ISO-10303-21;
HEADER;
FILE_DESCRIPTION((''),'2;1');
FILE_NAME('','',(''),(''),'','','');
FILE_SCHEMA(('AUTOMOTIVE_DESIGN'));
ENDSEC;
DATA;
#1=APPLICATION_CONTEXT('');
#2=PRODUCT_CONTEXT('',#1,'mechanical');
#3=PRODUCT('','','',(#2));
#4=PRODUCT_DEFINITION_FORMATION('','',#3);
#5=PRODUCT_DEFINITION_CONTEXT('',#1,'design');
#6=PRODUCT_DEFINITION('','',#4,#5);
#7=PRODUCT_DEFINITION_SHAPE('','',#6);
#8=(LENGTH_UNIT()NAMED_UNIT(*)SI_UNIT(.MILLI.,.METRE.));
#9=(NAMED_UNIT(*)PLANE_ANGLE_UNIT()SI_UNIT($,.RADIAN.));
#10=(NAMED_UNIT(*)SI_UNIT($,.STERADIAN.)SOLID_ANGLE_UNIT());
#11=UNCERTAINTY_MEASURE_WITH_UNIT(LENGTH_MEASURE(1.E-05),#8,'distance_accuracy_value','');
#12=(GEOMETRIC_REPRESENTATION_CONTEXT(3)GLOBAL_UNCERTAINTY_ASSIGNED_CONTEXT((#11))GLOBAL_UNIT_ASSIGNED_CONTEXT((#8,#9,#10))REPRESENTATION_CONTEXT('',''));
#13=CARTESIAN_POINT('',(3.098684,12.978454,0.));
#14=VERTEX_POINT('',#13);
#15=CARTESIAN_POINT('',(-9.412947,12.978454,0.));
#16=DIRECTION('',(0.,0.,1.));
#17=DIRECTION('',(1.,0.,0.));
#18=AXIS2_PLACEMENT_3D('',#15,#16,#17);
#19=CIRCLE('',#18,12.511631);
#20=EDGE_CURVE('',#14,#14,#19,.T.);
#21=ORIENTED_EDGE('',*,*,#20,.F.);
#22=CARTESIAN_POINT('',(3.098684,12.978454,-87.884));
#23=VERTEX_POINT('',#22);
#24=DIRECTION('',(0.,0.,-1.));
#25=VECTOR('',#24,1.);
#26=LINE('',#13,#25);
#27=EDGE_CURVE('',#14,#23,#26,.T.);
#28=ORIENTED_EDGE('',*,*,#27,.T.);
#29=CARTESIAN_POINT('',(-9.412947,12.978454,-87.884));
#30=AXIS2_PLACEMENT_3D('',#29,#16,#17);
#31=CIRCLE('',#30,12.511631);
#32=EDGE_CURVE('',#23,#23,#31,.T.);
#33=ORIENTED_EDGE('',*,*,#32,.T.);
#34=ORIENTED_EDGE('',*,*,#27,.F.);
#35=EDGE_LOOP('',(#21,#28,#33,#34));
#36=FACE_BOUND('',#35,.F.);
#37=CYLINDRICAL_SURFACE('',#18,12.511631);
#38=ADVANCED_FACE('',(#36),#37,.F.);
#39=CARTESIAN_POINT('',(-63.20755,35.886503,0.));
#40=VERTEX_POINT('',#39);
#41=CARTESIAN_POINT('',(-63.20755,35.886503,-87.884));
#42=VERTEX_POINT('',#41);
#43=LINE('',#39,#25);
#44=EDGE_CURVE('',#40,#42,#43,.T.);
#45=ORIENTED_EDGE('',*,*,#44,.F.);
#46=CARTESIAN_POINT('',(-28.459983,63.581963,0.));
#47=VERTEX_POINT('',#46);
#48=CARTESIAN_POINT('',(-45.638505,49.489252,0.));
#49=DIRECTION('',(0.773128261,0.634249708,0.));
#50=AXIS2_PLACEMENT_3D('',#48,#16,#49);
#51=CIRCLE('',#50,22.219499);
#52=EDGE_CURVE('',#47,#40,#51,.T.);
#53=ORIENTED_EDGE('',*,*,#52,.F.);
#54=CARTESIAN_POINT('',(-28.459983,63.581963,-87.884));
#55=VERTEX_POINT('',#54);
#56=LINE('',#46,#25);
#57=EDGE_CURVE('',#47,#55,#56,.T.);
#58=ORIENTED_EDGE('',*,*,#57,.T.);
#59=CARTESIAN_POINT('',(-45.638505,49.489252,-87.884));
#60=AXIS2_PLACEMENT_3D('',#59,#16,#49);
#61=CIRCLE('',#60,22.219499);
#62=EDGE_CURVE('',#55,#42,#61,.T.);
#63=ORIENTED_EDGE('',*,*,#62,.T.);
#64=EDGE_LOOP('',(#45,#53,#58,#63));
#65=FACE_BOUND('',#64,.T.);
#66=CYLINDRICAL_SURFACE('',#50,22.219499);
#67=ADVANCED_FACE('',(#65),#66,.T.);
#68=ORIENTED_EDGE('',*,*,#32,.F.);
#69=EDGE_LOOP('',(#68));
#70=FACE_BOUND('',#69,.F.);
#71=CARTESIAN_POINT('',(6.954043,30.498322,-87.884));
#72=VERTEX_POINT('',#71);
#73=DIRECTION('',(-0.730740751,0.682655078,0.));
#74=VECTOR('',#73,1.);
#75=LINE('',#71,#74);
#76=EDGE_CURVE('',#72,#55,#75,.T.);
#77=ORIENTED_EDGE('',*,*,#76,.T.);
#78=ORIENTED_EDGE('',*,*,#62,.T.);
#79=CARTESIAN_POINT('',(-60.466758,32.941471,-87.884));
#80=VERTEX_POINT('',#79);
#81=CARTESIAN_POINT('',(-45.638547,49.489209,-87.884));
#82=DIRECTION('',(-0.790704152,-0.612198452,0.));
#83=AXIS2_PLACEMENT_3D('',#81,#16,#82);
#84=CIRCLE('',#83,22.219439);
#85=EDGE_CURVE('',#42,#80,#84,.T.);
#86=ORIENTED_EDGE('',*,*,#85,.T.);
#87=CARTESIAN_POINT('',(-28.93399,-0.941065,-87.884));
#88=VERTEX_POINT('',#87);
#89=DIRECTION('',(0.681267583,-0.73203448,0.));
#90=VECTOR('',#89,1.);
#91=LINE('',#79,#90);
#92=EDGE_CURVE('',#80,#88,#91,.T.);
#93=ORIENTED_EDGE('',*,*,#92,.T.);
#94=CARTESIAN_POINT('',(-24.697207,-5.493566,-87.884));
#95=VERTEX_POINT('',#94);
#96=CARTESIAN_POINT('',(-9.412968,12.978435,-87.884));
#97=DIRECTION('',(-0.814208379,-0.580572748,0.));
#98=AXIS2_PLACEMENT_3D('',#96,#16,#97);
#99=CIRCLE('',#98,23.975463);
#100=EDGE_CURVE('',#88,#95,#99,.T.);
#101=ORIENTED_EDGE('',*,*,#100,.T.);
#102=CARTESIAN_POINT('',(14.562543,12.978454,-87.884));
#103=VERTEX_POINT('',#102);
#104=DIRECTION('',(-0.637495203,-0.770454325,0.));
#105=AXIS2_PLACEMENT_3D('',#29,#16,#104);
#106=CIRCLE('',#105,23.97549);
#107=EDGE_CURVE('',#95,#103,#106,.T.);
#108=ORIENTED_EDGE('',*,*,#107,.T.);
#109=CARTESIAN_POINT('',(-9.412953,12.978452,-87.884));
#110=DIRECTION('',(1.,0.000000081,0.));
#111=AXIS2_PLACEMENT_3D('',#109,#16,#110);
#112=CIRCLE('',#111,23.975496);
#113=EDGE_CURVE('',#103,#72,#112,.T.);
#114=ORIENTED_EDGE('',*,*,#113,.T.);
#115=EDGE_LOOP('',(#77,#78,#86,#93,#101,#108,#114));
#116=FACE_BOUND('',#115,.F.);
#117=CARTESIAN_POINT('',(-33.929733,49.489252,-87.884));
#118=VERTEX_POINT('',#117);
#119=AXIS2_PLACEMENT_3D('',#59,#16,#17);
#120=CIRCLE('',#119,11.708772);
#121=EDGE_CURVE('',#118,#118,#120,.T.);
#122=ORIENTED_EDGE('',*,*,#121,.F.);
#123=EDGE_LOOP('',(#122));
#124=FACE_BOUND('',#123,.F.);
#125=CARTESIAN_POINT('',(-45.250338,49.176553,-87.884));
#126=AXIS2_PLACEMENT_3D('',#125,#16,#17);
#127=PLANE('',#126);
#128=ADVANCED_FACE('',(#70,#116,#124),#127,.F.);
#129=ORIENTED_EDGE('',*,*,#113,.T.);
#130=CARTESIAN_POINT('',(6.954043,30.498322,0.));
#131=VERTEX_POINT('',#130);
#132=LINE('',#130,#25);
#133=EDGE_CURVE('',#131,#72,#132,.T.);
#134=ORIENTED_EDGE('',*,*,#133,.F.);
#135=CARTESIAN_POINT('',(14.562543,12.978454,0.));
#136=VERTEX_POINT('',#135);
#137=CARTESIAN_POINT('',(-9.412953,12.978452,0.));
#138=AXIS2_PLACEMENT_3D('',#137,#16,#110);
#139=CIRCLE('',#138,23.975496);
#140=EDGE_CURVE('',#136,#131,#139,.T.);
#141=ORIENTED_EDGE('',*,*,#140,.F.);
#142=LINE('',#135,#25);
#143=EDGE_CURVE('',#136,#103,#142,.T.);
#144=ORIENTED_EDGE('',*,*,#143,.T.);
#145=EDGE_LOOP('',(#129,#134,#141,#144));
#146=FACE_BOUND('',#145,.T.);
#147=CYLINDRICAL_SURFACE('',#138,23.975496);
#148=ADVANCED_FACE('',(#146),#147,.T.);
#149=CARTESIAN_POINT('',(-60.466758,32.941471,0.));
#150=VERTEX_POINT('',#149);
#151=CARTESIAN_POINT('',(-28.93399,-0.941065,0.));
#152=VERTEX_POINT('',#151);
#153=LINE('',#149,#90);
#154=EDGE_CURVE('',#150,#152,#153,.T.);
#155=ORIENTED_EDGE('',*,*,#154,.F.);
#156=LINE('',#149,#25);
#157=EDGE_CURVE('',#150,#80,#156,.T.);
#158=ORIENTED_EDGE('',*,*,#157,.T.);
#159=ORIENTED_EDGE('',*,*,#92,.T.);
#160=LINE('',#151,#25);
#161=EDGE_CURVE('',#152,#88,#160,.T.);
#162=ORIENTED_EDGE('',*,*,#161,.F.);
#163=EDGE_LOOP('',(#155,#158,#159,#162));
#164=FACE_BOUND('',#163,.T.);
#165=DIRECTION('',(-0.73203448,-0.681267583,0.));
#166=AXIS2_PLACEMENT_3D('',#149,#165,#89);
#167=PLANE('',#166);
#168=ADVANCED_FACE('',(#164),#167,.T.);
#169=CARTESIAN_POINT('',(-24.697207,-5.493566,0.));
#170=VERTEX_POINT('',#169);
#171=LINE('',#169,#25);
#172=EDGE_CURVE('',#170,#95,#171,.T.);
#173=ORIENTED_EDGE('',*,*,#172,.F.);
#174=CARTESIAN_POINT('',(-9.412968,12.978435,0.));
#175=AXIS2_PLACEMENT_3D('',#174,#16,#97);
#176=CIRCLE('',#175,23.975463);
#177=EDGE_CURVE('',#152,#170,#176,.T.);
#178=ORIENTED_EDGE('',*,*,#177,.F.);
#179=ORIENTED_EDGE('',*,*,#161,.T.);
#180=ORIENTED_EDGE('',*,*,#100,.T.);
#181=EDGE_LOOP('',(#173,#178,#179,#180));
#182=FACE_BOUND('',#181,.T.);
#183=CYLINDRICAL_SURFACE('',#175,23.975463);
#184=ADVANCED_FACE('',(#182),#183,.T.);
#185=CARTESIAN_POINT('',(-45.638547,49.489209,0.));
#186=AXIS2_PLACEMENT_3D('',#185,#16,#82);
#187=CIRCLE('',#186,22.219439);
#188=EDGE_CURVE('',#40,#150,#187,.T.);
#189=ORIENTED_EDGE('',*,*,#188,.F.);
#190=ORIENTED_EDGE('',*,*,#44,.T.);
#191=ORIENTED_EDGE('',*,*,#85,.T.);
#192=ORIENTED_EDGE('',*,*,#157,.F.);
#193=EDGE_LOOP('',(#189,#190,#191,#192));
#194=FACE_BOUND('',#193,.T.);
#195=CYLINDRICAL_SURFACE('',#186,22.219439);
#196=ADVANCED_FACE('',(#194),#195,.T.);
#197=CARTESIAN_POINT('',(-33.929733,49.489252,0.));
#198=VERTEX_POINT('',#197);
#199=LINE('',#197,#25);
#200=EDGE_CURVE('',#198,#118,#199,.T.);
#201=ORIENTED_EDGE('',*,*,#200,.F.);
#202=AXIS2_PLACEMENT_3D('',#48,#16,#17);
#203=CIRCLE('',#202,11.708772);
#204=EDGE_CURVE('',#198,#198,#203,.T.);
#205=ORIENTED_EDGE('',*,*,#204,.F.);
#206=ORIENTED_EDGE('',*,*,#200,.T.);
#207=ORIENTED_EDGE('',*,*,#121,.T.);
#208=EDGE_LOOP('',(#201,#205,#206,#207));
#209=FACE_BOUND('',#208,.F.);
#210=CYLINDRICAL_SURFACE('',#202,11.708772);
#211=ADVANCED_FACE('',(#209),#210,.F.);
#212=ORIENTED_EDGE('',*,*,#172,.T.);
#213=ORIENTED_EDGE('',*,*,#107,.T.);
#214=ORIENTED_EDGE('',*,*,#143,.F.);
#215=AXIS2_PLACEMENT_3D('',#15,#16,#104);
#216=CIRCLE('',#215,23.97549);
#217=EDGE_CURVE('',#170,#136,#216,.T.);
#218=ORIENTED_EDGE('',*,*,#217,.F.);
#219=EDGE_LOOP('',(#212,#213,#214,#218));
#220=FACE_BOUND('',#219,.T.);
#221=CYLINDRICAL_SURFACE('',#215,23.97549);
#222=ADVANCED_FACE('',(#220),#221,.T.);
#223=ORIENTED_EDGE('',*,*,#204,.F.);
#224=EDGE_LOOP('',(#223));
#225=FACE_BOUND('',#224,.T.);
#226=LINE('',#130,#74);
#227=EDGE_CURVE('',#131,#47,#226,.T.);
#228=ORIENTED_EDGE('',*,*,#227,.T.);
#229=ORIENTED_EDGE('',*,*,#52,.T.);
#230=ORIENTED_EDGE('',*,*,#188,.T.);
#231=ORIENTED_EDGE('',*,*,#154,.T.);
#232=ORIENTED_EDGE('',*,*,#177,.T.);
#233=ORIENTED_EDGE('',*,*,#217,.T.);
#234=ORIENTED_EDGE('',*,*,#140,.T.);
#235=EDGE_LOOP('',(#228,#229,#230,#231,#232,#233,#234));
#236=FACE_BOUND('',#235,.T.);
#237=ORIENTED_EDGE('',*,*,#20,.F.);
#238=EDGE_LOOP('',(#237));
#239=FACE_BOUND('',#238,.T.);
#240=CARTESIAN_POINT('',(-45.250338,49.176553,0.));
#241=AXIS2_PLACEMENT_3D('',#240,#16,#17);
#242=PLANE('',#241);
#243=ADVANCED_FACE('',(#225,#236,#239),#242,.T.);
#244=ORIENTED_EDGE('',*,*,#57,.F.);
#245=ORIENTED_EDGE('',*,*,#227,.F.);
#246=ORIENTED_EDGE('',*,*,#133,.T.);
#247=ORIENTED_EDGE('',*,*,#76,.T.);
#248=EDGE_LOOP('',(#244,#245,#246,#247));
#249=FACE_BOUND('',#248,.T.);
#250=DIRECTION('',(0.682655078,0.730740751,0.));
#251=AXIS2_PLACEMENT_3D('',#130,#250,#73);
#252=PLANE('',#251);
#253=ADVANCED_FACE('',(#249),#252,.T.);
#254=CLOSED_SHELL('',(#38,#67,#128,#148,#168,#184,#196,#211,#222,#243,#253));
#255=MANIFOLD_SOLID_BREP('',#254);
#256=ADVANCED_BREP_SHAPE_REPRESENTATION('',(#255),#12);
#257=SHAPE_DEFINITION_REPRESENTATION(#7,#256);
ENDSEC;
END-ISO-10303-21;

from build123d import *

# Parameters (mm, degrees)
F0_R     = 11.708772
F0_R_2   = 12.511631
F1_DEPTH = 87.884


with BuildPart() as f1:
    # F0 (on Top) → F1 (new body)
    with BuildSketch(Plane.XY):
        with BuildLine():
            ThreePointArc((-60.466758, 32.941471), (-36.576779, 29.201541), (-23.419007, 49.489252))
            ThreePointArc((-23.419007, 49.489252), (-24.717173, 56.972833), (-28.459983, 63.581963))
            ThreePointArc((-28.459983, 63.581963), (-59.487612, 66.864763), (-63.20755, 35.886503))
            Line((-63.20755, 35.886503), (-60.466758, 32.941471))
        make_face()
        with Locations((-45.638505, 49.489252)):
            Circle(F0_R, mode=Mode.SUBTRACT)
        with BuildLine():
            ThreePointArc((-28.459983, 63.581963), (-24.717173, 56.972833), (-23.419007, 49.489252))
            ThreePointArc((-23.419007, 49.489252), (-36.576779, 29.201541), (-60.466758, 32.941471))
            Line((-60.466758, 32.941471), (-28.93399, -0.941065))
            ThreePointArc((-28.93399, -0.941065), (-25.211548, 31.012543), (6.954043, 30.498322))
            Line((6.954043, 30.498322), (-28.459983, 63.581963))
        make_face()
        with BuildLine():
            ThreePointArc((-63.20755, 35.886503), (-61.903945, 34.351828), (-60.466758, 32.941471))
            Line((-60.466758, 32.941471), (-63.20755, 35.886503))
        make_face()
        with BuildLine():
            ThreePointArc((14.562543, 12.978454), (12.578309, 22.528782), (6.954043, 30.498322))
            ThreePointArc((6.954043, 30.498322), (-25.211548, 31.012543), (-28.93399, -0.941065))
            Line((-28.93399, -0.941065), (-24.697207, -5.493566))
            ThreePointArc((-24.697207, -5.493566), (0.794317, -8.71569), (14.562543, 12.978454))
        make_face()
        with Locations((-9.412947, 12.978454)):
            Circle(F0_R_2, mode=Mode.SUBTRACT)
        with BuildLine():
            Line((-24.697207, -5.493566), (-28.93399, -0.941065))
            ThreePointArc((-28.93399, -0.941065), (-26.963833, -3.35527), (-24.697207, -5.493566))
        make_face()
    extrude(amount=-F1_DEPTH)


solid = f1.part
